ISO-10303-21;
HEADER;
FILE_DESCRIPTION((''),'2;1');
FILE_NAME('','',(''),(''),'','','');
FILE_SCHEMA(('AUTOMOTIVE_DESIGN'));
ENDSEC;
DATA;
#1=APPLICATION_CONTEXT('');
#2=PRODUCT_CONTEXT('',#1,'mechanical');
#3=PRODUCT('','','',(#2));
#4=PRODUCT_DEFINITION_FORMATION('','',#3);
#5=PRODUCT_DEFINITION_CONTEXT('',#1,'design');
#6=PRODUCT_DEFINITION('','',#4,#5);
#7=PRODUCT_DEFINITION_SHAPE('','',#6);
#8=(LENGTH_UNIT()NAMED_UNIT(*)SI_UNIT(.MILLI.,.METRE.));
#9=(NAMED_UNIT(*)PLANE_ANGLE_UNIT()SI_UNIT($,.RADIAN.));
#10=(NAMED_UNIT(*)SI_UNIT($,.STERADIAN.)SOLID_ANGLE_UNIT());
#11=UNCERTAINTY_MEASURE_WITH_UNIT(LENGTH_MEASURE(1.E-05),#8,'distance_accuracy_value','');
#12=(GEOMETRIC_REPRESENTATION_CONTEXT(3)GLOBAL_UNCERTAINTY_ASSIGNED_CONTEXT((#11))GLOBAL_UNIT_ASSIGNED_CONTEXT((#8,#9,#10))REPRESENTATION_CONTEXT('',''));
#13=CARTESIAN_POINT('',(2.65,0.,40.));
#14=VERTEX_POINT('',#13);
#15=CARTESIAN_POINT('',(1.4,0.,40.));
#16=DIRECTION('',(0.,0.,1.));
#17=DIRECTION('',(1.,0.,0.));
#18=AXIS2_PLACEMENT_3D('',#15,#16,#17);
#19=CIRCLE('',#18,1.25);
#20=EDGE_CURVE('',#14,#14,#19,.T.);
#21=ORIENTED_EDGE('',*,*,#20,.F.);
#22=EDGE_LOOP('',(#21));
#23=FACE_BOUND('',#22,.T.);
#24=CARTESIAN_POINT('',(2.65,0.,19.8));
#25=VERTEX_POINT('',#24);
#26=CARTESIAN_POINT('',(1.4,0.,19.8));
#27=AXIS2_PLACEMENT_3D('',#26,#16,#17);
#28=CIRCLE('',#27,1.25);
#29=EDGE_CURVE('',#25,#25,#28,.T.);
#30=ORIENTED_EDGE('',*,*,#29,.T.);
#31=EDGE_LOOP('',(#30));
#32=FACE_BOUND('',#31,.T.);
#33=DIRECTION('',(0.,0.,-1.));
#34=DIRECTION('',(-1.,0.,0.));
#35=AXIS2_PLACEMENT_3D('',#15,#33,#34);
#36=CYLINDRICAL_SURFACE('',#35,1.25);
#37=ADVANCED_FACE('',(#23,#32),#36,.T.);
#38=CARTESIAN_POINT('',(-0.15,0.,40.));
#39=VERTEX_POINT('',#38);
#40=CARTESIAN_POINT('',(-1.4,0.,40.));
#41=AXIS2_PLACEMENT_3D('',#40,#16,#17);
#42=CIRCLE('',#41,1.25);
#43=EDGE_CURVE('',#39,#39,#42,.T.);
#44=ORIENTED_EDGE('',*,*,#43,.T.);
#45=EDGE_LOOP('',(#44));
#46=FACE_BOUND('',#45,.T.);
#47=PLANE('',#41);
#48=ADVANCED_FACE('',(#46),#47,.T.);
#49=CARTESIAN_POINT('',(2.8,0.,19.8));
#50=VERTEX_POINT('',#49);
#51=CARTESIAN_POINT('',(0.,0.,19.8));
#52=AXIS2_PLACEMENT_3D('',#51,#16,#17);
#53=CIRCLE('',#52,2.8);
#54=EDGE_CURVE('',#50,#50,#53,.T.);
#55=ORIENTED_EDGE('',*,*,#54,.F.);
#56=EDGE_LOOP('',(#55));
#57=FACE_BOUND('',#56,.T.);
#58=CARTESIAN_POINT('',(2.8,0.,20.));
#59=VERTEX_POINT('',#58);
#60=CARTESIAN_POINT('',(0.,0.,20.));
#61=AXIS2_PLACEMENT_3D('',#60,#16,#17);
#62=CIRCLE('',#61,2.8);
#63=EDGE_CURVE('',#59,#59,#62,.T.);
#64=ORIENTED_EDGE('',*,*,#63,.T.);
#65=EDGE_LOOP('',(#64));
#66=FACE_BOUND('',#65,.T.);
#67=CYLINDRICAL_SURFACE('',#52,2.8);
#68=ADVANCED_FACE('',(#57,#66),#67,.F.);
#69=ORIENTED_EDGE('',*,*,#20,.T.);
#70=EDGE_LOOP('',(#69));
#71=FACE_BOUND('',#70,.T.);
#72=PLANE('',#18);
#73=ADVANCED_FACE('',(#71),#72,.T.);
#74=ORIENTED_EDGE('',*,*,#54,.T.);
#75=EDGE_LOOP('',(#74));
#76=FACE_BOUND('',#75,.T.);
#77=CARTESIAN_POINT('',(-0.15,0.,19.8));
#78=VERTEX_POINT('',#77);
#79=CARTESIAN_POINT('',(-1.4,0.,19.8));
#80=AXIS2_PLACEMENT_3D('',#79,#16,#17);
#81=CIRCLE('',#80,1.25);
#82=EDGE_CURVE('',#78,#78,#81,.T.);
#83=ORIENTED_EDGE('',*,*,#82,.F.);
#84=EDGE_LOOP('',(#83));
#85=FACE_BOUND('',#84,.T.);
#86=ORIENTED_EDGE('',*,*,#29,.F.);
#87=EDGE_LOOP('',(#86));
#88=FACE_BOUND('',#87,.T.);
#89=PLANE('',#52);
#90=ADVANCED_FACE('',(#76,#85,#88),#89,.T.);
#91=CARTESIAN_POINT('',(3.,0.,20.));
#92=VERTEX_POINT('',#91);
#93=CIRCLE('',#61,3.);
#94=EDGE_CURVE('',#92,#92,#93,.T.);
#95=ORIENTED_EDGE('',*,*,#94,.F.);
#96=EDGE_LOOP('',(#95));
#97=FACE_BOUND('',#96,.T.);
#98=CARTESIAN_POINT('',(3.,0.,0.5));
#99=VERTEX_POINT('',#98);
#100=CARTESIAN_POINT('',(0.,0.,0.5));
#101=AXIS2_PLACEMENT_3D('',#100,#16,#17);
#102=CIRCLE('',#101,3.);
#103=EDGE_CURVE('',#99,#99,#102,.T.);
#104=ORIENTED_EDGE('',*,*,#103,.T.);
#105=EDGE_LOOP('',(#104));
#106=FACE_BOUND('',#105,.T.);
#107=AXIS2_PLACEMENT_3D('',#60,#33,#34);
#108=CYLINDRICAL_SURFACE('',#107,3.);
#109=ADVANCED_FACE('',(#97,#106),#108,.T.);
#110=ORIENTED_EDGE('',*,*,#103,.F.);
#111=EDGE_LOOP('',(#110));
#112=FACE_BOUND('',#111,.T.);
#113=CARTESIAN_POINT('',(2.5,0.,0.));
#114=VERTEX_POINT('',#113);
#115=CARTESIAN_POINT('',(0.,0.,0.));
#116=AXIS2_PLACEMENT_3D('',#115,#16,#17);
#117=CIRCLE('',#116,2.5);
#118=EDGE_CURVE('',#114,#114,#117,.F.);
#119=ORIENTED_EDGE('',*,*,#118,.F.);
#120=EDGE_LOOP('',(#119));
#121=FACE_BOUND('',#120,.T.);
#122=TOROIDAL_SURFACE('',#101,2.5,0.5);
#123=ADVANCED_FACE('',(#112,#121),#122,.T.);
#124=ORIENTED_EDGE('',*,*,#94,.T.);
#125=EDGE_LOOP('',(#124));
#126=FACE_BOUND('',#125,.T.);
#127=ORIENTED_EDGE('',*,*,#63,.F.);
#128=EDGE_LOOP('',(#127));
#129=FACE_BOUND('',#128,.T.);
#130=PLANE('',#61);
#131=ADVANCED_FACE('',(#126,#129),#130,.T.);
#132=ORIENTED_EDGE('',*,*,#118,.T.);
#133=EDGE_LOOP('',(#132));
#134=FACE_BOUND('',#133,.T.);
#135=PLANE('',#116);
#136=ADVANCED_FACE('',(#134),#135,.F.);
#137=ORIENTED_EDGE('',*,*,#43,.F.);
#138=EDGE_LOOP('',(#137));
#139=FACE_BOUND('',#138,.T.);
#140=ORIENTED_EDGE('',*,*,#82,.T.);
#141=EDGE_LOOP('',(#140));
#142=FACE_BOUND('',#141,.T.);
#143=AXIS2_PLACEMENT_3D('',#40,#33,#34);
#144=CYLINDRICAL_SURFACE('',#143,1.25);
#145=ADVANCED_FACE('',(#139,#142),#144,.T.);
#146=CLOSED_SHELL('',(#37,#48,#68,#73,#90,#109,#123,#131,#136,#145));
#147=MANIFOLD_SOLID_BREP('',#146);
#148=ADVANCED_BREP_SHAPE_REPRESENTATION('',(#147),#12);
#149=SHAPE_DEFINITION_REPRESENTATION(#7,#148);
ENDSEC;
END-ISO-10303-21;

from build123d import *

# Parameters (mm, degrees)
ESQUISSE2_R             = 3
BOSS_EXTRU_1_DEPTH      = 20
CONG_1_R                = 0.5
ESQUISSE3_R             = 2.8
ENL_V_MAT_EXTRU_1_DEPTH = 0.2
ESQUISSE4_R             = 1.25
BOSS_EXTRU_2_DEPTH      = 20.2


with BuildPart() as part:
    # Esquisse2 → Boss.-Extru.1 (new body)
    with BuildSketch(Plane.XY):
        Circle(ESQUISSE2_R)
    extrude(amount=BOSS_EXTRU_1_DEPTH)

    # Congé1
    cong_1_edges = [part.edges().sort_by_distance(p)[0] for p in [
        (-3, 0, 0),
    ]]
    fillet(cong_1_edges, radius=CONG_1_R)

    # Esquisse3 → Enlèv. mat.-Extru.1 (cut)
    with BuildSketch(Plane.XY.offset(20)):
        Circle(ESQUISSE3_R)
    extrude(amount=-ENL_V_MAT_EXTRU_1_DEPTH, mode=Mode.SUBTRACT)

    # Esquisse4 → Boss.-Extru.2 (add)
    with BuildSketch(Plane.XY.offset(19.8)):
        with Locations((-1.4, 0)):
            Circle(ESQUISSE4_R)
        with Locations((1.4, 0)):
            Circle(ESQUISSE4_R)
    extrude(amount=BOSS_EXTRU_2_DEPTH)


solid = part.part
